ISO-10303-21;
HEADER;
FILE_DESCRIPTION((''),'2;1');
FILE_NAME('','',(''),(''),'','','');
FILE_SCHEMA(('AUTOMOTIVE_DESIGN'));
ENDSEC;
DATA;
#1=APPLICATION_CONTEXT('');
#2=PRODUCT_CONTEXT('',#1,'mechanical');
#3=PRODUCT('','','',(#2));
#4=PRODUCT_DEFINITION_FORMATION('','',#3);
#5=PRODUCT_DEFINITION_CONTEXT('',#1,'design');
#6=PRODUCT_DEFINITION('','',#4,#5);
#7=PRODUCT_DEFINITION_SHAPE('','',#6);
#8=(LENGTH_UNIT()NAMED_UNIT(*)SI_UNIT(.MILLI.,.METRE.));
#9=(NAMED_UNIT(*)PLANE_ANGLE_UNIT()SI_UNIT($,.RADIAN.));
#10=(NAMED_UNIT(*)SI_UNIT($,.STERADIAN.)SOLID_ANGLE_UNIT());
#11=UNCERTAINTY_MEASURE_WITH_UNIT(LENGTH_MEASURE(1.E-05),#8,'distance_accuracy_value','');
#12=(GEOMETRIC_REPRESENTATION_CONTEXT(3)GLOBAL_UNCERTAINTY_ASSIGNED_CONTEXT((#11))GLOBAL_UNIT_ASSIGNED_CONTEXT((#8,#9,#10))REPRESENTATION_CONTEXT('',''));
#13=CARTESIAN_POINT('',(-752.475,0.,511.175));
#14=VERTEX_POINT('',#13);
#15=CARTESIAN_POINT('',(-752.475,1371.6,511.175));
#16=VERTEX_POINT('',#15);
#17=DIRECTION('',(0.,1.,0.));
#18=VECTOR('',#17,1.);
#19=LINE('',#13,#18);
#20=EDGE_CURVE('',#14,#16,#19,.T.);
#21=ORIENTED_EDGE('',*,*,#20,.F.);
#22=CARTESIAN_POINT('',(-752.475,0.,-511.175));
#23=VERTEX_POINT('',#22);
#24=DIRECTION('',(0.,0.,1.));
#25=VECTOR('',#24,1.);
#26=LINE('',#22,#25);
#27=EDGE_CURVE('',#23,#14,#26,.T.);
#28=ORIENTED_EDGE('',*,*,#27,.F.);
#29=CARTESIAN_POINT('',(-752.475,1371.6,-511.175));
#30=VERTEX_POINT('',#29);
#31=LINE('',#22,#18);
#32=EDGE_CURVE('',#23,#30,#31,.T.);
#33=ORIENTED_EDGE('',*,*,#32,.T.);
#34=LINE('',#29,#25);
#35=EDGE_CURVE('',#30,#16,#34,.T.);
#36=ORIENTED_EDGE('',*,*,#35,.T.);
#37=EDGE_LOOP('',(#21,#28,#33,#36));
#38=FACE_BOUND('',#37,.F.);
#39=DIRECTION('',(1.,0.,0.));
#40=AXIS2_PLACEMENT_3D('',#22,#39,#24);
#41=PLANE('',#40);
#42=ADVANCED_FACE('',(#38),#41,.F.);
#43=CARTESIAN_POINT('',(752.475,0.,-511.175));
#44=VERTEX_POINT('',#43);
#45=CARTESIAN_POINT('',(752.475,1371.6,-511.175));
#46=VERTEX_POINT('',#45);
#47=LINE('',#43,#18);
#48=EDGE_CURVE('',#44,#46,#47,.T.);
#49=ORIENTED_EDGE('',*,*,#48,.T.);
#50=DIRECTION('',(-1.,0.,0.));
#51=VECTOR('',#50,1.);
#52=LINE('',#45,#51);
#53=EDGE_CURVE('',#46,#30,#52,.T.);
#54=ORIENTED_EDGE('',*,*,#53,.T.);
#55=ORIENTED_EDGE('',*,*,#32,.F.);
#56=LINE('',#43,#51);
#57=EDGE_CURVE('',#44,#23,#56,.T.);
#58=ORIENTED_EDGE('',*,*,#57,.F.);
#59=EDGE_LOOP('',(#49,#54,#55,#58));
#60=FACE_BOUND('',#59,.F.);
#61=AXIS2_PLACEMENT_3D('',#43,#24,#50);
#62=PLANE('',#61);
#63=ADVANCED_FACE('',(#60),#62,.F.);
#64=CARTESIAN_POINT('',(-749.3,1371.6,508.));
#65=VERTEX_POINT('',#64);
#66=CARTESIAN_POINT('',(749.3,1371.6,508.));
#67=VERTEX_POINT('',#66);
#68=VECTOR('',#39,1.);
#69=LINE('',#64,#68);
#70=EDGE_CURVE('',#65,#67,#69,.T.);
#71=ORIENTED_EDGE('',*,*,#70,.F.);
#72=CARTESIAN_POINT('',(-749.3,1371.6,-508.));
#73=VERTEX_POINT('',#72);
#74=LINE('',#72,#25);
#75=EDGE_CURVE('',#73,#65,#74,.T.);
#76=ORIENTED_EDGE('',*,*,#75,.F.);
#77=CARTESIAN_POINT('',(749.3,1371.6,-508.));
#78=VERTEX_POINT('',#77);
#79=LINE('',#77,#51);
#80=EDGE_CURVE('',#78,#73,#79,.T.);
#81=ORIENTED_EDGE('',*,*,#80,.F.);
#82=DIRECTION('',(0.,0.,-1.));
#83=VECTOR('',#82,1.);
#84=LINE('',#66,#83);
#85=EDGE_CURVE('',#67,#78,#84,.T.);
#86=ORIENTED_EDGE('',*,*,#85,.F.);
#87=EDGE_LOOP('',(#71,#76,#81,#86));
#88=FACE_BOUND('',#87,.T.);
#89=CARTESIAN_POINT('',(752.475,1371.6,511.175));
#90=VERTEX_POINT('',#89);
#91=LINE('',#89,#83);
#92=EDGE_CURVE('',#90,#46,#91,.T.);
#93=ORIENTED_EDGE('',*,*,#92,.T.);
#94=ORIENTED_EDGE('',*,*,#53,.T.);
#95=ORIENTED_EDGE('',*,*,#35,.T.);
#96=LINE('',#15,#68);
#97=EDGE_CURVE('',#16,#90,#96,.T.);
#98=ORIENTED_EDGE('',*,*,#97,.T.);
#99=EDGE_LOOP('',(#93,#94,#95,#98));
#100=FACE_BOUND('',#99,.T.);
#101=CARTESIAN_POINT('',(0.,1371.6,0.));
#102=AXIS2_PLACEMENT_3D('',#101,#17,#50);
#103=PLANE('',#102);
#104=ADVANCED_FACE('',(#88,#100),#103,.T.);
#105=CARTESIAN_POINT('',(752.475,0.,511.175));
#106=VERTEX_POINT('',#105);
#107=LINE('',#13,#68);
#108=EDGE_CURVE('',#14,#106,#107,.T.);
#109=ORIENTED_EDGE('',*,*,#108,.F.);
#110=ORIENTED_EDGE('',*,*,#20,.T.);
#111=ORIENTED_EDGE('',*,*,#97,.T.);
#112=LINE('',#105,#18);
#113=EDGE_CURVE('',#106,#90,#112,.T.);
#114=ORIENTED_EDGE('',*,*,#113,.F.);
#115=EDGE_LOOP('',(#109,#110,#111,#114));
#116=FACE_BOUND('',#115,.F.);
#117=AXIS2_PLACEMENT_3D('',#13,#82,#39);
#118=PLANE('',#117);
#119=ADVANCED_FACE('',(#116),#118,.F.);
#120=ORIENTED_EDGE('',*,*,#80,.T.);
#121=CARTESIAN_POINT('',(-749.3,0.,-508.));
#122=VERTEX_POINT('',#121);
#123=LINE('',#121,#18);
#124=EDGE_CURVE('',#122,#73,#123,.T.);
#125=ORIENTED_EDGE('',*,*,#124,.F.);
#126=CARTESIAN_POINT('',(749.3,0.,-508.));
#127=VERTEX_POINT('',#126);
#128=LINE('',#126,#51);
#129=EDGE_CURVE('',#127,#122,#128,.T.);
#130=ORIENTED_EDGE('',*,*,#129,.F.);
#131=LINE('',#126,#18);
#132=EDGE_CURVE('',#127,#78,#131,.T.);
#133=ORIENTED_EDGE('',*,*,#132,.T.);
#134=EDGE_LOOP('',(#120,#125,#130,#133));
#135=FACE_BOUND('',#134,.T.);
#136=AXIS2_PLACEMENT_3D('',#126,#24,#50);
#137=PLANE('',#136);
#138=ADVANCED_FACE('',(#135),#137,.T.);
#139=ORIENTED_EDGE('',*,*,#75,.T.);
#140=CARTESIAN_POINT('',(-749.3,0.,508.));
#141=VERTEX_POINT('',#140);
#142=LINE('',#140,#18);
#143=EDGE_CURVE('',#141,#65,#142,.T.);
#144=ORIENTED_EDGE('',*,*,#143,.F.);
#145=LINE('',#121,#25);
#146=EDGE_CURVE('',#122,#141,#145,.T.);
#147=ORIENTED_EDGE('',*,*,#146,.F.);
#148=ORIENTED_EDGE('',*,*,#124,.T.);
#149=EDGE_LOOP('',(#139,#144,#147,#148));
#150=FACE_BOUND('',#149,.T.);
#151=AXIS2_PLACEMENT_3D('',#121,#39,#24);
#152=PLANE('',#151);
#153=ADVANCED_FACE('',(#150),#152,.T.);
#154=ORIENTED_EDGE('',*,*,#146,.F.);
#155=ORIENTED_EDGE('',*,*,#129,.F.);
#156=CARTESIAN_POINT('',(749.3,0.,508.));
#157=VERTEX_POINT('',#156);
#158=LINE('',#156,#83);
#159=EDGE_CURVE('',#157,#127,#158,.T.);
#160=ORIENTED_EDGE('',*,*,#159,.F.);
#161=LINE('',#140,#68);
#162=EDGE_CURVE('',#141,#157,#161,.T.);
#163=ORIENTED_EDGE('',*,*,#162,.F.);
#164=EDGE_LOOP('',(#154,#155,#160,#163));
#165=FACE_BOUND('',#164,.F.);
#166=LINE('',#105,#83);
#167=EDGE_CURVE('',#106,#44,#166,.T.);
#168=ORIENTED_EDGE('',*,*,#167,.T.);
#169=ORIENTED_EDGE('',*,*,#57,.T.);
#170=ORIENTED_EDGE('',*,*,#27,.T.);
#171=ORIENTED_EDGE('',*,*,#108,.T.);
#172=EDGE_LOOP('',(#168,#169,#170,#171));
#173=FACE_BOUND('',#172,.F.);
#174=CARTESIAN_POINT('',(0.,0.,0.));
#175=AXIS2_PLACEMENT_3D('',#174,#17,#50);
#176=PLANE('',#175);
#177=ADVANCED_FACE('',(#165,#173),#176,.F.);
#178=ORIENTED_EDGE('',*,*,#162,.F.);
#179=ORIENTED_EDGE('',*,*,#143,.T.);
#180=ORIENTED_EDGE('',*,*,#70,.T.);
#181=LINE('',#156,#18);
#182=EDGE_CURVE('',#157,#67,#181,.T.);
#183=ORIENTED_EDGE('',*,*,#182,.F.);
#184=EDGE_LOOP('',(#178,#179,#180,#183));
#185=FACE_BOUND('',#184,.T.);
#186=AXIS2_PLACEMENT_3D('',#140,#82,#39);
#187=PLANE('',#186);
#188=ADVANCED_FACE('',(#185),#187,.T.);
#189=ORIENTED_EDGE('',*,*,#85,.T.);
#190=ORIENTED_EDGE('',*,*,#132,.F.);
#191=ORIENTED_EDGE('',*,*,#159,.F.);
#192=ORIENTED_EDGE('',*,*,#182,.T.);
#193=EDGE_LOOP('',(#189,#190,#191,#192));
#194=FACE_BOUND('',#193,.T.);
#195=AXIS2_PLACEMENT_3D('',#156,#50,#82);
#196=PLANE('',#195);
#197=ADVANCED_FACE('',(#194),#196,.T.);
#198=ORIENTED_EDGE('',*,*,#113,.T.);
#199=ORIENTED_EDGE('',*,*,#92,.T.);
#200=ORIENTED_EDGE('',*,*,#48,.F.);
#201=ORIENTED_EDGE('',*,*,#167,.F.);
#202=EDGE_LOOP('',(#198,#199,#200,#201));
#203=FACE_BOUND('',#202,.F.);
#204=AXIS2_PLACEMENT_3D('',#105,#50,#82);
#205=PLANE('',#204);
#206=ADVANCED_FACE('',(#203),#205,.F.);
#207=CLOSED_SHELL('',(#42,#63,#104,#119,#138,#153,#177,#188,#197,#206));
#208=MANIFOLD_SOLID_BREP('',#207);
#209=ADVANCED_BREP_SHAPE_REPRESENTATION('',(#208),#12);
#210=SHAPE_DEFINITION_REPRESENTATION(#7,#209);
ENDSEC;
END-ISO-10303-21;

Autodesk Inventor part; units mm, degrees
ref_plane "YZ Plane" through (0, 0, 0) normal (1, 0, 0) x (0, 1, 0)
ref_plane "XZ Plane" through (0, 0, 0) normal (0, 1, 0) x (-1, 0, 0)
ref_plane "XY Plane" through (0, 0, 0) normal (0, 0, 1) x (1, 0, 0)
sketch "Sketch2" plane through (0, 0, 0) normal (0, 1, 0) x (-1, 0, 0)
  line L0 (-749.3, 508) -> (-749.3, -508)
  line L1 (-749.3, -508) -> (749.3, -508)
  line L2 (749.3, -508) -> (749.3, 508)
  line L3 (749.3, 508) -> (-749.3, 508)
  line L4 (-749.3, 508) -> (749.3, -508) construction
  line L5 (-749.3, -508) -> (749.3, 508) construction
  line L6 (-752.475, 511.175) -> (-752.475, -511.175)
  line L7 (-752.475, -511.175) -> (752.475, -511.175)
  line L8 (752.475, -511.175) -> (752.475, 511.175)
  line L9 (752.475, 511.175) -> (-752.475, 511.175)
  line L10 (-752.475, 511.175) -> (752.475, -511.175) construction
  line L11 (-752.475, -511.175) -> (752.475, 511.175) construction
  point P0 (0, 0)
  dimension "d4" = 1016
  dimension "d5" = 1498.6
  dimension "d6" = 3.175
  dimension "d7" = 3.175
extrude "Extrusion1" add sketch "Sketch2" along normal blind 1371.6
equation "\"d4\" = maxMatchWidth"
equation "\"d5\" = maxMatchLength"
equation "\"d6\" = modelThickness"
equation "\"d7\" = modelThickness"
equation "\"d8\" = maxMatchHeight"
equation "\"robotLength\" = 736.6"
equation "\"robotWidth\" = 254"
equation "\"robotPerimeter\" = 2 * robotLength + 2 * robotWidth"
equation "\"maxMatchLength\" = robotLength + 2 * matchExtension"
equation "\"matchExtension\" = 381"
equation "\"maxMatchWidth\" = robotWidth + 2 * matchExtension"
equation "\"modelThickness\" = 3.175"
equation "\"maxMatchHeight\" = 1371.6"
properties part number "RhinoV19MaxVolume" material "Polycarbonate, Smoke"
